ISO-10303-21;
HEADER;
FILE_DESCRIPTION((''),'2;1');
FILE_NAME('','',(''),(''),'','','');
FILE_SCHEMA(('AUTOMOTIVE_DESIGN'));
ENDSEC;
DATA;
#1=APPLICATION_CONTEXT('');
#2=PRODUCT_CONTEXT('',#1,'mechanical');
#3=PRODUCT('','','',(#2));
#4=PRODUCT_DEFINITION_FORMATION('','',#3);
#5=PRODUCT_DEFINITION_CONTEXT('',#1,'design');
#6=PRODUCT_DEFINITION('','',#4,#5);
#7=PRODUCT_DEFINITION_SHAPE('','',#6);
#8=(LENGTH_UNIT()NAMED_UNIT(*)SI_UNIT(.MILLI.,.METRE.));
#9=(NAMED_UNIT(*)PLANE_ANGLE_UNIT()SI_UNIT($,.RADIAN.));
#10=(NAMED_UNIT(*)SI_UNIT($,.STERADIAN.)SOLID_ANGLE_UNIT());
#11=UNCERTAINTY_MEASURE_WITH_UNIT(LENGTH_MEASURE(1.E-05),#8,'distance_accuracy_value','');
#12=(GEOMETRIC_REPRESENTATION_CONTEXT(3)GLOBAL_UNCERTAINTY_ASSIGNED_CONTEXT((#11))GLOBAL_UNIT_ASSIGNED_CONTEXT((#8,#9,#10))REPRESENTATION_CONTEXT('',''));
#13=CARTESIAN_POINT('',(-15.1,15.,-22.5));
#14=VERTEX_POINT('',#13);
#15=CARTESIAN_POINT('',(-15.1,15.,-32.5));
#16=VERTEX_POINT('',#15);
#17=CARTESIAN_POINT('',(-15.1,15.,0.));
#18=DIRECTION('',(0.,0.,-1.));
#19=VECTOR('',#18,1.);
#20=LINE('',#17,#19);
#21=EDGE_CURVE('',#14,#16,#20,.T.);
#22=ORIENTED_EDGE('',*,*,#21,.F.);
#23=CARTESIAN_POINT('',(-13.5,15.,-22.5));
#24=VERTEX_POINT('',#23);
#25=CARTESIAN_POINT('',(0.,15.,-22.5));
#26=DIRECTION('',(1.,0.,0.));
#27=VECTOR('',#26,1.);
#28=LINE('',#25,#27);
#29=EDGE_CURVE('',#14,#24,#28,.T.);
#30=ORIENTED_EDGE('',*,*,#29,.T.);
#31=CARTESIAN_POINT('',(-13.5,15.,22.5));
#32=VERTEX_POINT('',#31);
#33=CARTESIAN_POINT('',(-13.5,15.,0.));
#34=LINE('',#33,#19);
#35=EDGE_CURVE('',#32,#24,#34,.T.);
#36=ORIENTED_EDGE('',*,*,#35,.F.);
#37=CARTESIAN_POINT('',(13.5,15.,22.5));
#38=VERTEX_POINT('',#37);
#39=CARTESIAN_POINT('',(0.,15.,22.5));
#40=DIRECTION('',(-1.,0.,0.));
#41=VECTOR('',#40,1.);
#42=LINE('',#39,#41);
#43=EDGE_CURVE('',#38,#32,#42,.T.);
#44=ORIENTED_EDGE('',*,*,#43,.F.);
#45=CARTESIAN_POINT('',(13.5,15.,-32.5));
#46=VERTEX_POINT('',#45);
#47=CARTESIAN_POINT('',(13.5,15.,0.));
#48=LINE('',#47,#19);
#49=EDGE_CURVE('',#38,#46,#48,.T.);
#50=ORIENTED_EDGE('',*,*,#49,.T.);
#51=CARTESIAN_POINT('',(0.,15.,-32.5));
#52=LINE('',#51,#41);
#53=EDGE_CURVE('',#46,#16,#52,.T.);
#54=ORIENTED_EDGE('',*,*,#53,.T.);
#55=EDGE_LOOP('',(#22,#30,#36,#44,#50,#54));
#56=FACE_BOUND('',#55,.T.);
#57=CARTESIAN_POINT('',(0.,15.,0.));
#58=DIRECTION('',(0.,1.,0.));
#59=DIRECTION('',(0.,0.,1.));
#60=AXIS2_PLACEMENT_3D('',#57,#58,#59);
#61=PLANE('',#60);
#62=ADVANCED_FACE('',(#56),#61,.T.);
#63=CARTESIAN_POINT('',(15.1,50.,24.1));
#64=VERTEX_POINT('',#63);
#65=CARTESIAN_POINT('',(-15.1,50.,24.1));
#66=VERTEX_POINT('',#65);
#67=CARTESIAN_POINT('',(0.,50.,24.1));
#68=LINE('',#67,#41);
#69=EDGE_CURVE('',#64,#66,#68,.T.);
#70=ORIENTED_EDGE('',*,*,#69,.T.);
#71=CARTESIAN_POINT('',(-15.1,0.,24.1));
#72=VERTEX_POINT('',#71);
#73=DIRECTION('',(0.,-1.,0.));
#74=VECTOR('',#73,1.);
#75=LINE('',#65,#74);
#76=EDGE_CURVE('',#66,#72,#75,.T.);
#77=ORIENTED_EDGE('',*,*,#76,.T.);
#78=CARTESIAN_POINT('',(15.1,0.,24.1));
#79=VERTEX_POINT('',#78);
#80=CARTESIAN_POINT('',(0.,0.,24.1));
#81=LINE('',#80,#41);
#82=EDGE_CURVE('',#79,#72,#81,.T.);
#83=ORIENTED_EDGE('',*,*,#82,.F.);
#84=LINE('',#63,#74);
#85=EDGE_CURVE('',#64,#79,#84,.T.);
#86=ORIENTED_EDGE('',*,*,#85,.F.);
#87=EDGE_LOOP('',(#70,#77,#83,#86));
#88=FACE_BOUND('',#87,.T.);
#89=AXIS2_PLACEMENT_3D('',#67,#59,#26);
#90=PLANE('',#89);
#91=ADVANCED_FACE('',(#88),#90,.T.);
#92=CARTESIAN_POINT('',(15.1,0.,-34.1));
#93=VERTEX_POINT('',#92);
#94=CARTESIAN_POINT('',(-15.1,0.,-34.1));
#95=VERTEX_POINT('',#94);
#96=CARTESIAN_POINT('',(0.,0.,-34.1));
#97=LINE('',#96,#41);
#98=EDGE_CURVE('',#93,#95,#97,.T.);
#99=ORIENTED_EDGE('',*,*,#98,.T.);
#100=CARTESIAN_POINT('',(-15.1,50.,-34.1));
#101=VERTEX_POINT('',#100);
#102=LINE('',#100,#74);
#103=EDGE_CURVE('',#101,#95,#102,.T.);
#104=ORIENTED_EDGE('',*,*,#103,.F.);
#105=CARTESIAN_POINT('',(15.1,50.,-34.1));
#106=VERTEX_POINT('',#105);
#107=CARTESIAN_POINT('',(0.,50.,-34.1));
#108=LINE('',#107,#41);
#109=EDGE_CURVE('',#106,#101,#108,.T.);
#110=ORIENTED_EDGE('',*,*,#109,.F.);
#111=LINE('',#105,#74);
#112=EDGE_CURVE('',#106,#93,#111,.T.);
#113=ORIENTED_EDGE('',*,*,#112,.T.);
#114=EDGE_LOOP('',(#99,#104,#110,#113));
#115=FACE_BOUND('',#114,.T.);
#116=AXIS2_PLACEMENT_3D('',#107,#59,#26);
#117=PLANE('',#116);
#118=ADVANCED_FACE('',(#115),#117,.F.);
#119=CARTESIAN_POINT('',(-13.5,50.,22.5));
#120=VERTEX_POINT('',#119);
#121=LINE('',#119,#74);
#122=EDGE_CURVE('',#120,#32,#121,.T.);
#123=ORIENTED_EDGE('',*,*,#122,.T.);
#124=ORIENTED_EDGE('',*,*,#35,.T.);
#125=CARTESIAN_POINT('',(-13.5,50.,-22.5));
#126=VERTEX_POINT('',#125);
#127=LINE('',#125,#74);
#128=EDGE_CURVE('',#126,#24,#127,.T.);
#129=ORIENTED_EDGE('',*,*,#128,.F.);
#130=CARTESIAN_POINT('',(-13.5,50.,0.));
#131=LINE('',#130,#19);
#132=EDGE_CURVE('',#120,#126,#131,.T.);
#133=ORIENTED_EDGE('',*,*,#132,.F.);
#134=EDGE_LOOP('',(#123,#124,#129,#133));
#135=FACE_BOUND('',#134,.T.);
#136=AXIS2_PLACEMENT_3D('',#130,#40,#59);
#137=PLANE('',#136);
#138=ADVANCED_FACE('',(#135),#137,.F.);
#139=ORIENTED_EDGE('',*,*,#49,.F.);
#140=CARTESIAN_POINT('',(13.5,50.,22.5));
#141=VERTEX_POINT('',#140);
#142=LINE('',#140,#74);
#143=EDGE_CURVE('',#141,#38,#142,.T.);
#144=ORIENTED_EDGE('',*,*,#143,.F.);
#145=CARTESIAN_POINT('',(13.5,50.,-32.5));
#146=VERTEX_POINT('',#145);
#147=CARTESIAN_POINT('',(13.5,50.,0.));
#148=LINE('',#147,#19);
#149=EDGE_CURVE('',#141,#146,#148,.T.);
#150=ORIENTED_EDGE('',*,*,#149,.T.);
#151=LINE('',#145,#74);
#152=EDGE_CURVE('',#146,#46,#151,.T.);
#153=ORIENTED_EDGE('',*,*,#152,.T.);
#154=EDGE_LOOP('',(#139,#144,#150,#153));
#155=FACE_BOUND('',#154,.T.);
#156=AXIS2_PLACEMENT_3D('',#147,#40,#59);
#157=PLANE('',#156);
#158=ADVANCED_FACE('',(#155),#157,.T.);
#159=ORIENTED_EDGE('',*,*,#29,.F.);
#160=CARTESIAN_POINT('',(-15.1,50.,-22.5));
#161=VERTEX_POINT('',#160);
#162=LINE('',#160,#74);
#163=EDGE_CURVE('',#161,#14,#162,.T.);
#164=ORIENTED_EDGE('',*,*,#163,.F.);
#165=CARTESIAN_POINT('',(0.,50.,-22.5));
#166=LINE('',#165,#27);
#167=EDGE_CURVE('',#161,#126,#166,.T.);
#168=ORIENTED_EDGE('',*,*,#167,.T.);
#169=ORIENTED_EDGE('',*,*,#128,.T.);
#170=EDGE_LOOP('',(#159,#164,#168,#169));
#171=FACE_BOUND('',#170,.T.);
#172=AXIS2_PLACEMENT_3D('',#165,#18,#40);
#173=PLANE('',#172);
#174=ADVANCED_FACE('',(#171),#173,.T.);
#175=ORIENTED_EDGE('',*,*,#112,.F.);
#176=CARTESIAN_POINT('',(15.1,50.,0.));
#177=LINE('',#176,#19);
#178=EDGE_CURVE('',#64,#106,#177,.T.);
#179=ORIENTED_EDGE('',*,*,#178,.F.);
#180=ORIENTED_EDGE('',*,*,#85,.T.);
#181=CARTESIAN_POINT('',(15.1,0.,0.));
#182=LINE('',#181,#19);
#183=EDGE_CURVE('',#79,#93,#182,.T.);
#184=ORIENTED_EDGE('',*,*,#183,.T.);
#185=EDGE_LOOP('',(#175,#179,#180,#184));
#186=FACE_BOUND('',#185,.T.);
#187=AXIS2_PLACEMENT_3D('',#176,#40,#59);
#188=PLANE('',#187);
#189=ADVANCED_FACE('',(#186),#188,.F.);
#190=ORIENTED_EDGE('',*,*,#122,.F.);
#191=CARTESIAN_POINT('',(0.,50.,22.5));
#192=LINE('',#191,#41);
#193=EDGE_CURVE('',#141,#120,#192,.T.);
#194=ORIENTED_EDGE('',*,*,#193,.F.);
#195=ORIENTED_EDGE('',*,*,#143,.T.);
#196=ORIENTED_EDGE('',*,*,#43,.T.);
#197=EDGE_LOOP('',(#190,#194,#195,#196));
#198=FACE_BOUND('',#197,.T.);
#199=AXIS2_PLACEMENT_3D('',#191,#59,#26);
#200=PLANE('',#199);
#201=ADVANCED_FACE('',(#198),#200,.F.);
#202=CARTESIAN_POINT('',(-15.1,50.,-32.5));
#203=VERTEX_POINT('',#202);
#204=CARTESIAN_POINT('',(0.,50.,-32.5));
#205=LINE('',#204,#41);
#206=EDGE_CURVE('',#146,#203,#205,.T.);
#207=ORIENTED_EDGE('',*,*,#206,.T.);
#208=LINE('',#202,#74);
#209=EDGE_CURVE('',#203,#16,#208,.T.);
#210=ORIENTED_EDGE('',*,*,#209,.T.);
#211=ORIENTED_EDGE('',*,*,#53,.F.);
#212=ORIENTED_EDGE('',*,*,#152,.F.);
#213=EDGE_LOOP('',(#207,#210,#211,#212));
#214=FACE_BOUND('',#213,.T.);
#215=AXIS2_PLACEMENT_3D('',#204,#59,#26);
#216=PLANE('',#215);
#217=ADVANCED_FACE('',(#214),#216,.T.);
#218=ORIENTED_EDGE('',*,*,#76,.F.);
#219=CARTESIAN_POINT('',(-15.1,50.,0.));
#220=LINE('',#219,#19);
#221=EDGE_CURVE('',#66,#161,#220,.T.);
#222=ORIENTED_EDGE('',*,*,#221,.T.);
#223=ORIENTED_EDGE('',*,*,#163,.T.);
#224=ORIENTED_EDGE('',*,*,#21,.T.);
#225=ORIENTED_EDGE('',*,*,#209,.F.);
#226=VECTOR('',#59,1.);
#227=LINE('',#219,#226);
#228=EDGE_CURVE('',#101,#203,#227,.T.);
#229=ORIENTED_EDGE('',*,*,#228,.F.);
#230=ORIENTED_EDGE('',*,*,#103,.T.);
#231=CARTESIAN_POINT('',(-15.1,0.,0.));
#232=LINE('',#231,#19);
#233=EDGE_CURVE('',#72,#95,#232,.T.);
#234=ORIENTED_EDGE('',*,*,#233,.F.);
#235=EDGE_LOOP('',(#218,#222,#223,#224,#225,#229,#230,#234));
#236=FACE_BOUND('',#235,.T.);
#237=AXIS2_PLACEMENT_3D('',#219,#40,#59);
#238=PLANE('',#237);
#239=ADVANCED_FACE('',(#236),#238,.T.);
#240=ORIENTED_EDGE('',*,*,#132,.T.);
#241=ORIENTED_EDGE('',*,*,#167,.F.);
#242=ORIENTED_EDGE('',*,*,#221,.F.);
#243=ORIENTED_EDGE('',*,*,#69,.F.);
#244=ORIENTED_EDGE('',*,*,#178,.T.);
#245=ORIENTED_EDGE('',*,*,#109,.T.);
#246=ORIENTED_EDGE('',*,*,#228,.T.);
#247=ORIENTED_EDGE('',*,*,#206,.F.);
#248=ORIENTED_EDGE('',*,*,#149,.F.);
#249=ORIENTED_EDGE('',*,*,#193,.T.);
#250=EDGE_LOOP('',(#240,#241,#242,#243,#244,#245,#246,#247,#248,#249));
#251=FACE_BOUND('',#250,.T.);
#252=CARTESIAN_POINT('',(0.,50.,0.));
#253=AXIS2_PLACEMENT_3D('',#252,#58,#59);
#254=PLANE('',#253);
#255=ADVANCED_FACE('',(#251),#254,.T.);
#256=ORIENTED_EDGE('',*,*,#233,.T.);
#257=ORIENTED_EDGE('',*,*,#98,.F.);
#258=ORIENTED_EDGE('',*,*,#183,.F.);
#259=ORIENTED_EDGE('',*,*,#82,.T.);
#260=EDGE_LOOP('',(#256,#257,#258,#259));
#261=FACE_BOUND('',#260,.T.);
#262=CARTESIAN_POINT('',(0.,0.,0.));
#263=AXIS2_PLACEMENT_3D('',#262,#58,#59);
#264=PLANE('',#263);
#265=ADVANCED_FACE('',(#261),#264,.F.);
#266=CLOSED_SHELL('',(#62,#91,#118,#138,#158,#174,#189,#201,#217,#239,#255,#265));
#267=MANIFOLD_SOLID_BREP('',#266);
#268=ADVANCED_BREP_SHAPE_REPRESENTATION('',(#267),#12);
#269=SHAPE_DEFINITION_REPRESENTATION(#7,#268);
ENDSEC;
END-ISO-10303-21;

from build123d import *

# Parameters (mm, degrees)
BOSS_EXTRUDE2_DEPTH = 50
BOSS_EXTRUDE3_DEPTH = 15


with BuildPart() as part:
    # Sketch1 → Boss-Extrude2 (new body)
    with BuildSketch(Plane(origin=(0, 0, 0), x_dir=(1, 0, 0), z_dir=(0, 1, 0))):
        Polygon((13.5, -22.5), (-13.5, -22.5), (-13.5, 22.5), (-15.1, 22.5), (-15.1, -24.1), (15.1, -24.1), (15.1, 34.1), (-15.1, 34.1), (-15.1, 32.5), (13.5, 32.5), align=None)
    extrude(amount=BOSS_EXTRUDE2_DEPTH)

    # Sketch1<4> → Boss-Extrude3 (add)
    with BuildSketch(Plane(origin=(0, 0, 0), x_dir=(1, 0, 0), z_dir=(0, 1, 0))):
        Polygon((13.5, 32.5), (13.5, -22.5), (-13.5, -22.5), (-13.5, 22.5), (-15.1, 22.5), (-15.1, -24.1), (15.1, -24.1), (15.1, 34.1), (-15.1, 34.1), (-15.1, 32.5), align=None)
        Polygon((-13.5, -22.5), (13.5, -22.5), (13.5, 32.5), (-15.1, 32.5), (-15.1, 22.5), (-13.5, 22.5), align=None)
    extrude(amount=BOSS_EXTRUDE3_DEPTH)


solid = part.part
